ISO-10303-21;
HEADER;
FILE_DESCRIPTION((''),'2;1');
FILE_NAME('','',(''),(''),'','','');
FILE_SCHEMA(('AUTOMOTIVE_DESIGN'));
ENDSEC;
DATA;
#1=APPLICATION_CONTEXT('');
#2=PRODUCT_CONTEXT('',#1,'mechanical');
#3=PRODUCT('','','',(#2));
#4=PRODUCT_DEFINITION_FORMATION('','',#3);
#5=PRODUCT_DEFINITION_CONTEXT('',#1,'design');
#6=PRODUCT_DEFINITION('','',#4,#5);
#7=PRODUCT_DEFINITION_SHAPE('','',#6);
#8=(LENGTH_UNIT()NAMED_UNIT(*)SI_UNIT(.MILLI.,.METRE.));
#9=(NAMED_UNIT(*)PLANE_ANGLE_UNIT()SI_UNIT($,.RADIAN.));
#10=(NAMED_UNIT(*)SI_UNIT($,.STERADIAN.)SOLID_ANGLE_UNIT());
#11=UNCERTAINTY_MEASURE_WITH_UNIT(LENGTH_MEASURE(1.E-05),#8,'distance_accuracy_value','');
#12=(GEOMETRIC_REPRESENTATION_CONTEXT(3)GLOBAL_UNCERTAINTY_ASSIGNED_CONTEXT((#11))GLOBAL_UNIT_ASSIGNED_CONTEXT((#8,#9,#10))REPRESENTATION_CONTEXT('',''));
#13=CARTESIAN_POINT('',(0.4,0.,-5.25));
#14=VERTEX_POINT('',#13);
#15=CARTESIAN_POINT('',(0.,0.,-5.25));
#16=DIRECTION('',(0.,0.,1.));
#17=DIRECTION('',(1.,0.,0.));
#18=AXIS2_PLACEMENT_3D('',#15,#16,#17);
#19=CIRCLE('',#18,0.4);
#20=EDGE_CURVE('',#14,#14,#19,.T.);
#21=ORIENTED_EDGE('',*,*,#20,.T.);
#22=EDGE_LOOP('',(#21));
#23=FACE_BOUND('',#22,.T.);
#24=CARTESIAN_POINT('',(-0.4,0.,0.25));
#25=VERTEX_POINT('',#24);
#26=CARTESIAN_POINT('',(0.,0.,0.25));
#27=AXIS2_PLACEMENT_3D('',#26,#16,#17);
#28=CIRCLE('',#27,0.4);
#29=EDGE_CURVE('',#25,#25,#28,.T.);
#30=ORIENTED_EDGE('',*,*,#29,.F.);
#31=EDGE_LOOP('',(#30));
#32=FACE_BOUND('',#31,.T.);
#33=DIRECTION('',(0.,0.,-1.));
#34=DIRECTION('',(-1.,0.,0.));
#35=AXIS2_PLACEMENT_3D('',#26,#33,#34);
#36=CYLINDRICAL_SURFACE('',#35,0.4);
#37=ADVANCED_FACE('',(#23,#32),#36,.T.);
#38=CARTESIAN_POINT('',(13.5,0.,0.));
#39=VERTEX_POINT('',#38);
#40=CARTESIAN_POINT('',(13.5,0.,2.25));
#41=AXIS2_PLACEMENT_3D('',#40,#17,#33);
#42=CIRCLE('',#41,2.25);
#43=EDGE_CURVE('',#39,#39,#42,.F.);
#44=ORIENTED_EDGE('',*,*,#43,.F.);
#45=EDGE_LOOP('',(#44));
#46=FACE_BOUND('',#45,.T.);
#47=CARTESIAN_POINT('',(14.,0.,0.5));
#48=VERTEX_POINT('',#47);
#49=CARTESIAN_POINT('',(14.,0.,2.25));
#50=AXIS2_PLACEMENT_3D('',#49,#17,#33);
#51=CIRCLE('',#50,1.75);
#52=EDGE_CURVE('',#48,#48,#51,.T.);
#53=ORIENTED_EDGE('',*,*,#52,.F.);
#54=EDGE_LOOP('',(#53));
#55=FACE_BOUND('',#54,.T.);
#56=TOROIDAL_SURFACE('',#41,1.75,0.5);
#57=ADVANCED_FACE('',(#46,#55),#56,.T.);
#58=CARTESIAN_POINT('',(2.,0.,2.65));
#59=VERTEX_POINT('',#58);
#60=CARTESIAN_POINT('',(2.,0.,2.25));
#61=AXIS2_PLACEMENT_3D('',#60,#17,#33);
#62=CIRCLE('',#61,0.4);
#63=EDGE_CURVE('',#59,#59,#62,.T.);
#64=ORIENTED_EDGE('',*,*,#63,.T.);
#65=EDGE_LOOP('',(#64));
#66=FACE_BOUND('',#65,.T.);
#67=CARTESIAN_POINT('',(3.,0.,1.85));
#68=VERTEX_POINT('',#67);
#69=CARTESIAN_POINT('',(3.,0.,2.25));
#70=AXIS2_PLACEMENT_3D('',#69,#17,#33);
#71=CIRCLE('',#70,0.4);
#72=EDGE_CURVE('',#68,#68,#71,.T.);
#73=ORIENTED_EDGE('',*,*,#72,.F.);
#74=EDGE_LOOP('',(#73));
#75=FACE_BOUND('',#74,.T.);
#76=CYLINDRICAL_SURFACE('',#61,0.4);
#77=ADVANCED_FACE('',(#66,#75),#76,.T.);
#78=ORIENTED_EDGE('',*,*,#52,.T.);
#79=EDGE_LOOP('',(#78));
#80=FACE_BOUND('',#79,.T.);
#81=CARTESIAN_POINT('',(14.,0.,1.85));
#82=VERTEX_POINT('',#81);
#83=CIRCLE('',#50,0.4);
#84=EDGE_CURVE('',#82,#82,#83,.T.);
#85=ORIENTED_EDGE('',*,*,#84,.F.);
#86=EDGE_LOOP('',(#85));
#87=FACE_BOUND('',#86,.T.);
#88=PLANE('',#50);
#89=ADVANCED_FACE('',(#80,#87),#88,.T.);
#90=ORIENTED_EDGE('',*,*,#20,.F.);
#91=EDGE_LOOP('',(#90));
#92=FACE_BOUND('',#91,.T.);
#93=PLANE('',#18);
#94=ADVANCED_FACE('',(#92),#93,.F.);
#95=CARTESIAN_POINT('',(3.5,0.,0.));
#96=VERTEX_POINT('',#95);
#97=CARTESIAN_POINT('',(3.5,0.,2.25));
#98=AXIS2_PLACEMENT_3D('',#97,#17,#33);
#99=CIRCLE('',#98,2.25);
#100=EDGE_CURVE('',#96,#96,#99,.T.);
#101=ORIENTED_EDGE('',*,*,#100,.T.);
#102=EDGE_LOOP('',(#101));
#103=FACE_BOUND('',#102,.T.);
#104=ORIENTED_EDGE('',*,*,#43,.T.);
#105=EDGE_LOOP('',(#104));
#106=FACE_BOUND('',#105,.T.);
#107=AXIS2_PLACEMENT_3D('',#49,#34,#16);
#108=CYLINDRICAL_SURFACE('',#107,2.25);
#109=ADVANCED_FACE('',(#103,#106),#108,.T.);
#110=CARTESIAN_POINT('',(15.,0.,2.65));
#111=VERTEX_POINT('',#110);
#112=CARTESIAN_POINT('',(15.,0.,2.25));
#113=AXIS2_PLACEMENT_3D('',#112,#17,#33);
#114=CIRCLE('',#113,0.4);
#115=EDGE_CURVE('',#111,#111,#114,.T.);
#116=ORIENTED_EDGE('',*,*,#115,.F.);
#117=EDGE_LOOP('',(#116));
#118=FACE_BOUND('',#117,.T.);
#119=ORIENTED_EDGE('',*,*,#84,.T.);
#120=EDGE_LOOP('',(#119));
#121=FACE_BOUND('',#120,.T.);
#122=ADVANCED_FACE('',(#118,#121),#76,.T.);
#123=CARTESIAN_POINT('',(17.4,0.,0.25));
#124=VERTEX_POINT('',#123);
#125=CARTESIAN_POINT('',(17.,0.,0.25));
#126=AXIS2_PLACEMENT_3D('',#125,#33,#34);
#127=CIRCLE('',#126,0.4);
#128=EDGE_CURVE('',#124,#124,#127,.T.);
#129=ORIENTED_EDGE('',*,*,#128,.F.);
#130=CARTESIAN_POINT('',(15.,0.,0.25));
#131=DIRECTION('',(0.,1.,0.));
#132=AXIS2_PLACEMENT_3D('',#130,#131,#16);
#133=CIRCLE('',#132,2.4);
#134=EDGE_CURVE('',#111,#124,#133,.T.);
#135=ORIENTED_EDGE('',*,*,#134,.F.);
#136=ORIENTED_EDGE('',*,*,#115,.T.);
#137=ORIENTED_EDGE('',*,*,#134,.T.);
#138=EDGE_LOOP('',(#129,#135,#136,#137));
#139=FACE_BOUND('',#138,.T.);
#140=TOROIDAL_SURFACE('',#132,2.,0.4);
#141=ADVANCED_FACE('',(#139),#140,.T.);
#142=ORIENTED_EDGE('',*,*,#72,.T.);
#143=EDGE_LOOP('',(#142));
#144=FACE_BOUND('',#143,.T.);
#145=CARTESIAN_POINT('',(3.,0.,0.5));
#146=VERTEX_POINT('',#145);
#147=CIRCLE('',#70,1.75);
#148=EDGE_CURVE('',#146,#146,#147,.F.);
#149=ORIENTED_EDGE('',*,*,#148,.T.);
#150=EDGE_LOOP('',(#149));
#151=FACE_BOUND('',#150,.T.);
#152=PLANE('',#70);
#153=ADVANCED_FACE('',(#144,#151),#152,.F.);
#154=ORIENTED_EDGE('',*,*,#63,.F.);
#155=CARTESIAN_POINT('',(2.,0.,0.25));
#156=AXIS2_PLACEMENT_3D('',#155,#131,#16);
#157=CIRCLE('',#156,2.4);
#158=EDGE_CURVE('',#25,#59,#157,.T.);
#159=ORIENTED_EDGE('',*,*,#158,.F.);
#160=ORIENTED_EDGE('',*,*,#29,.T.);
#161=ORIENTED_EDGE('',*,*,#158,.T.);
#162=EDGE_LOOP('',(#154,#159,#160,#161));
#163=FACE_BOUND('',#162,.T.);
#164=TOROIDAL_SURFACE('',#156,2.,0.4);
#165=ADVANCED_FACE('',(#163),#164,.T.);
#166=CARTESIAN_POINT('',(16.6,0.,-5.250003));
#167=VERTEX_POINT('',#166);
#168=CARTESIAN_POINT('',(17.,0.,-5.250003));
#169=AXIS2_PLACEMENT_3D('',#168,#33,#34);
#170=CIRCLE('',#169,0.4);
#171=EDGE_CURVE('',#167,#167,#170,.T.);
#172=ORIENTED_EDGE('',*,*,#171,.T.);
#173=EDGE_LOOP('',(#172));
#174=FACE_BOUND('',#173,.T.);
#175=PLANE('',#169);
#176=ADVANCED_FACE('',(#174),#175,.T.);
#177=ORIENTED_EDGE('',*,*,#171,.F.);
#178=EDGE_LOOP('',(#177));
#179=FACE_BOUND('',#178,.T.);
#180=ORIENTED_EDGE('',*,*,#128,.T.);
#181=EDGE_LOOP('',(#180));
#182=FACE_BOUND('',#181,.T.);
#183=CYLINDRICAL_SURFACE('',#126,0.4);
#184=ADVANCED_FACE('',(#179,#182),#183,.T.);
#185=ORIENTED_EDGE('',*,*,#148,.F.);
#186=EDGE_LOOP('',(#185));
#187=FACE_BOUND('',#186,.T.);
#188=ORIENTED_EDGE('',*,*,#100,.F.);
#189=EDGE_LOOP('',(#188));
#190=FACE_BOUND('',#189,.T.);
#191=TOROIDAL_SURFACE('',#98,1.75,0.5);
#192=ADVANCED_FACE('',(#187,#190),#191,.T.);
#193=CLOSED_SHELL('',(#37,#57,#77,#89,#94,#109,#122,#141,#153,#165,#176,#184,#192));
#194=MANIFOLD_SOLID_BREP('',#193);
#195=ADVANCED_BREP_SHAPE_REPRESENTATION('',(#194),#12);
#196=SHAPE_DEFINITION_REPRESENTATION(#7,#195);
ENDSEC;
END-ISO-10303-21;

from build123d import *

# Parameters (mm, degrees)
SKETCH_3_R      = 2.25
EXTRUDE_1_DEPTH = 11
SKETCH_4_R      = 0.4
FILLET_1_R      = 0.5


with BuildPart() as part:
    # Эскиз3 → Вытянуть1 (new body)
    with BuildSketch(Plane(origin=(3, 0, 0), x_dir=(0, 0, -1), z_dir=(1, 0, 0))):
        with Locations((-2.25, 0)):
            Circle(SKETCH_3_R)
    extrude(amount=EXTRUDE_1_DEPTH)

    # По траектории1: sweep along a path in Эскиз5
    with BuildLine(Plane(origin=(0, 0, 0), x_dir=(1, 0, 0), z_dir=(0, 1, 0))) as sweep_1_path:
        Line((0, 5.25), (0, -0.25))
        ThreePointArc((0, -0.25), (0.585786438, -1.664213562), (2, -2.25))
        Line((2, -2.25), (2.965757317, -2.25))
        Line((2.965757317, -2.25), (14, -2.25))
        Line((14, -2.25), (15, -2.25))
        ThreePointArc((15, -2.25), (16.414213562, -1.664213562), (17, -0.25))
        Line((17, -0.25), (17, 0))
        Line((17, 0), (17, 5.250003271))
    # Эскиз4 → По траектории1 (sweep)
    with BuildSketch(Plane.XY.offset(-5.25)):
        Circle(SKETCH_4_R)
    sweep(path=sweep_1_path.line)

    # Скругление1
    fillet_1_edges = [part.edges().sort_by_distance(p)[0] for p in [
        (3, 0, 4.5),
        (14, 0, 4.5),
    ]]
    fillet(fillet_1_edges, radius=FILLET_1_R)


solid = part.part
